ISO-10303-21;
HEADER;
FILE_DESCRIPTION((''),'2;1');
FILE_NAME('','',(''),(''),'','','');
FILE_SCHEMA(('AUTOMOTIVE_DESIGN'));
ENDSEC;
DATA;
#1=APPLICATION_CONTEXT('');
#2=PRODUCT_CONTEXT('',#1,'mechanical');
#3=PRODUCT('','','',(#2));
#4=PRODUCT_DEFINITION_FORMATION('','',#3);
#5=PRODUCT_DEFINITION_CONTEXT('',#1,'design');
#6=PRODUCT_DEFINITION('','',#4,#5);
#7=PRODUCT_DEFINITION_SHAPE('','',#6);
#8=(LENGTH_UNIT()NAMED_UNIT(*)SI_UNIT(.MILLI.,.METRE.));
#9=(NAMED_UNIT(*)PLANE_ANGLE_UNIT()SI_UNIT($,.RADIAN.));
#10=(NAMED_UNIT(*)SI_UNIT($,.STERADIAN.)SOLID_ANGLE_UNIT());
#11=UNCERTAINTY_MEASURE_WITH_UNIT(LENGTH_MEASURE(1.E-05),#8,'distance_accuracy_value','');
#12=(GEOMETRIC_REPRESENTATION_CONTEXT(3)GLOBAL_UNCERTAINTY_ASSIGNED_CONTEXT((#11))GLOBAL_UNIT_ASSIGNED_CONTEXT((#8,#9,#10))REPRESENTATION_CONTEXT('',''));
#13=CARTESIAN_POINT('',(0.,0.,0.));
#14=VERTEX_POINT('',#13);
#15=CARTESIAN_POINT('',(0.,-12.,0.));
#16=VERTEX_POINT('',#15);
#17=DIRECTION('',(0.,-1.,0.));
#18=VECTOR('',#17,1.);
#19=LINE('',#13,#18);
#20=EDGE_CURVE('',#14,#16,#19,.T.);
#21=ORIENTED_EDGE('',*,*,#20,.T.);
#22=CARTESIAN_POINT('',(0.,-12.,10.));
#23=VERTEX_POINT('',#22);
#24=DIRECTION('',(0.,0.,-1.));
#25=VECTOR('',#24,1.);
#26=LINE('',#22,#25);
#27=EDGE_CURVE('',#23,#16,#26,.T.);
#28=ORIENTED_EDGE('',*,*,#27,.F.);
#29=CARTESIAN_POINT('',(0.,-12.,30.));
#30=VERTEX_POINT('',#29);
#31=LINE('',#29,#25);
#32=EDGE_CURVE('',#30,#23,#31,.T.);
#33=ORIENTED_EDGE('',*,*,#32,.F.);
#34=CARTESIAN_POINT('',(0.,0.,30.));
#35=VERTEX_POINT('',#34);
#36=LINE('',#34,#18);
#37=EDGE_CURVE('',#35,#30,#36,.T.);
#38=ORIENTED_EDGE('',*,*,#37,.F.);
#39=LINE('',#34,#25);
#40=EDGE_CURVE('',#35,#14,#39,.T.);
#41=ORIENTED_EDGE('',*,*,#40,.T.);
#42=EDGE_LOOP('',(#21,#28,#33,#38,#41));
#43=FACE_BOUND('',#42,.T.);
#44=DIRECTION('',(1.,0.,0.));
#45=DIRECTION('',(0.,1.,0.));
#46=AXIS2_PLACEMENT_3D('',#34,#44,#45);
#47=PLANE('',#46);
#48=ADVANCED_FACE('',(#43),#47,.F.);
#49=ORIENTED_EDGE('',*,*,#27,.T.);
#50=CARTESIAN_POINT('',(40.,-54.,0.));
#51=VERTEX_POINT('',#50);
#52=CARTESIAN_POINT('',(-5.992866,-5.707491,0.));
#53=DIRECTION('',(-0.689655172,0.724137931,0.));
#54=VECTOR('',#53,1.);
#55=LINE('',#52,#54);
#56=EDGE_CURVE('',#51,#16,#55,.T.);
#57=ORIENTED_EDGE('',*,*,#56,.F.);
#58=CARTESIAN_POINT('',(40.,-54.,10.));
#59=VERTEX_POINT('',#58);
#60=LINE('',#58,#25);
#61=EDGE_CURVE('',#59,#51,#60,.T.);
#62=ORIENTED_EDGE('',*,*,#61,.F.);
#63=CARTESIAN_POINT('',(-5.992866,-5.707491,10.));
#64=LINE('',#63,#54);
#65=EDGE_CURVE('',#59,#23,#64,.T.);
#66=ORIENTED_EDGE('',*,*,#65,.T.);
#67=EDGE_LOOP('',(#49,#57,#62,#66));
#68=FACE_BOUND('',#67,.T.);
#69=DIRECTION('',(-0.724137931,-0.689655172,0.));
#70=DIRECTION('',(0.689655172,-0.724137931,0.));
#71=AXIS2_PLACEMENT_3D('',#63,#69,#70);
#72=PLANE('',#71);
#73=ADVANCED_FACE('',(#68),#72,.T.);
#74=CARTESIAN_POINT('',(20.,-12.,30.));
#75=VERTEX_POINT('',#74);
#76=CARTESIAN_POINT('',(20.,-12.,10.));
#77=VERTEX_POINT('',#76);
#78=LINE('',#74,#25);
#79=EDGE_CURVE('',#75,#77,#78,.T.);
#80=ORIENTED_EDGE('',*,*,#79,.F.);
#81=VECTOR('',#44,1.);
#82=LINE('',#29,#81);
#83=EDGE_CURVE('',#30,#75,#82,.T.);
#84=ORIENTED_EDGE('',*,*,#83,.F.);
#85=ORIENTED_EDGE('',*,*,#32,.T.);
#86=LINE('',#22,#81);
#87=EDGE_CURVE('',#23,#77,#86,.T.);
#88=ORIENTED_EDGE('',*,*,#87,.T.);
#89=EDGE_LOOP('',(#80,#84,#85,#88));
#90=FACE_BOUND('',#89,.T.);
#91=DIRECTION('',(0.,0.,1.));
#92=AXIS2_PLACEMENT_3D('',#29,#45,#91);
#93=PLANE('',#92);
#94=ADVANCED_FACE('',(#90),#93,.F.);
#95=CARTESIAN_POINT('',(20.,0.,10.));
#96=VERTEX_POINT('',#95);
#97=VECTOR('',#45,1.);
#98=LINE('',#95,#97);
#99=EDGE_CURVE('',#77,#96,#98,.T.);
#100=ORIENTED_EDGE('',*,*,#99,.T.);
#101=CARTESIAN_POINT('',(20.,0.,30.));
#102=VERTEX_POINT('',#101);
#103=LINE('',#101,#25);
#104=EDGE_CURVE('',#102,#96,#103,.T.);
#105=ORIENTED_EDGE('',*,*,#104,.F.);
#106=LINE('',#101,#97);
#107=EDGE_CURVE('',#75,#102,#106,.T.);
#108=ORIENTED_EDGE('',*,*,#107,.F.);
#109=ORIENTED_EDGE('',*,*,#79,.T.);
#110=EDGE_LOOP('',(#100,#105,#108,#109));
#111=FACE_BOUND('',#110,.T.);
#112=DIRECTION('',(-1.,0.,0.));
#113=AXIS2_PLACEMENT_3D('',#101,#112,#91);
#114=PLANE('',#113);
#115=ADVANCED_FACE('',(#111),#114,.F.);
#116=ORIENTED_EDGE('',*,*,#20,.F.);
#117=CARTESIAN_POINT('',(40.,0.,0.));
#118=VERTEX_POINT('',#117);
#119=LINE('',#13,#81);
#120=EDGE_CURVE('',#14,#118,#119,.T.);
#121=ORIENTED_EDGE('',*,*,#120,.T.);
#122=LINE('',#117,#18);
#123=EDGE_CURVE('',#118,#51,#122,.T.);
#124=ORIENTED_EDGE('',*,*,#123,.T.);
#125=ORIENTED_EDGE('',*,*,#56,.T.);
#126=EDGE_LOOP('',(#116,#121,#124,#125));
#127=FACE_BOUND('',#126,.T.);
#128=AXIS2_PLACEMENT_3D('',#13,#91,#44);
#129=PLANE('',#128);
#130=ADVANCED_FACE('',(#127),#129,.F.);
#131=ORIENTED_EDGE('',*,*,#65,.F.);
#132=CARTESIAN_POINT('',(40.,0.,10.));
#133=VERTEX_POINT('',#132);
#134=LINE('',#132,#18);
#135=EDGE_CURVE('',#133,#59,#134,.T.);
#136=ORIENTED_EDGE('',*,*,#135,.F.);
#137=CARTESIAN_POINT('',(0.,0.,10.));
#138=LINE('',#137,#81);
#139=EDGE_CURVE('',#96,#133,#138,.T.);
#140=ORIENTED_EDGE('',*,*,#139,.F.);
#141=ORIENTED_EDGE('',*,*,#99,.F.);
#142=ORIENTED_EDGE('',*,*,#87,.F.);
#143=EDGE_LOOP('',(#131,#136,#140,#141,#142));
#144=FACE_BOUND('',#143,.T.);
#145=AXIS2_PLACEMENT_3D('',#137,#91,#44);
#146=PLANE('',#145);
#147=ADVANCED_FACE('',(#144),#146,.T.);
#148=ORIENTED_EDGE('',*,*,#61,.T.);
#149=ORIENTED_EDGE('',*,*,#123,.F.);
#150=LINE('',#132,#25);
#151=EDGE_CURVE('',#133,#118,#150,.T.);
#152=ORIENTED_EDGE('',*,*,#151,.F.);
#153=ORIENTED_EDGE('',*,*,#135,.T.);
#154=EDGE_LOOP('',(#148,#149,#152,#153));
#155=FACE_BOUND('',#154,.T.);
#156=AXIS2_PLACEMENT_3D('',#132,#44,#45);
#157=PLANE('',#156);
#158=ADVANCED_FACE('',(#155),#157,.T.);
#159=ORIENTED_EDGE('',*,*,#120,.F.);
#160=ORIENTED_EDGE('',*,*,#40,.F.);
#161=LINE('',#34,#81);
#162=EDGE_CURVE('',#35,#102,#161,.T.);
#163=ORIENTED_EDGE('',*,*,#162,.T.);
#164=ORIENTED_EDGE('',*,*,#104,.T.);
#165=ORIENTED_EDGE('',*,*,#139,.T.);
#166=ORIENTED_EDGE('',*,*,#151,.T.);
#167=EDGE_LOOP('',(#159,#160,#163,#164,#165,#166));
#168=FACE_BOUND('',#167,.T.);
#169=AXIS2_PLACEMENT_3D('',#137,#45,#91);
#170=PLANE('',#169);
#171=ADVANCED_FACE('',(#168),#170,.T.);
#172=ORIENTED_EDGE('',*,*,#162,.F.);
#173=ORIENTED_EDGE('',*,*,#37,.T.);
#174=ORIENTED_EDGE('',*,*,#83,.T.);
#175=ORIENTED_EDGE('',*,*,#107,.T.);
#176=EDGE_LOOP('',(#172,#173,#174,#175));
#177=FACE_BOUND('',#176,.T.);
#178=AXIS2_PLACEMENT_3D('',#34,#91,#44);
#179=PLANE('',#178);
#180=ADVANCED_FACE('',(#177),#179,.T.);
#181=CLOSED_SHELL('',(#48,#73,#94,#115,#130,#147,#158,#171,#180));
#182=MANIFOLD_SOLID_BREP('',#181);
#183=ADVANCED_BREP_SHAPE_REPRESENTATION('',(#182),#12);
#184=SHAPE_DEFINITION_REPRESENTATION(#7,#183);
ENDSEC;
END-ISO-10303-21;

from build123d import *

# Parameters (mm, degrees)
BOSS_EXTRUDE1_DEPTH = 10
SKETCH1_4_W         = 20
SKETCH1_4_H         = 12
BOSS_EXTRUDE2_DEPTH = 30


with BuildPart() as part:
    # Sketch1 → Boss-Extrude1 (new body)
    with BuildSketch(Plane.XY):
        Polygon((20, -12), (0, -12), (40, -54), (40, 0), (20, 0), align=None)
    extrude(amount=BOSS_EXTRUDE1_DEPTH)

    # Sketch1<4> → Boss-Extrude2 (add)
    with BuildSketch(Plane.XY):
        with Locations((10, -6)):
            Rectangle(SKETCH1_4_W, SKETCH1_4_H)
    extrude(amount=BOSS_EXTRUDE2_DEPTH)


solid = part.part
